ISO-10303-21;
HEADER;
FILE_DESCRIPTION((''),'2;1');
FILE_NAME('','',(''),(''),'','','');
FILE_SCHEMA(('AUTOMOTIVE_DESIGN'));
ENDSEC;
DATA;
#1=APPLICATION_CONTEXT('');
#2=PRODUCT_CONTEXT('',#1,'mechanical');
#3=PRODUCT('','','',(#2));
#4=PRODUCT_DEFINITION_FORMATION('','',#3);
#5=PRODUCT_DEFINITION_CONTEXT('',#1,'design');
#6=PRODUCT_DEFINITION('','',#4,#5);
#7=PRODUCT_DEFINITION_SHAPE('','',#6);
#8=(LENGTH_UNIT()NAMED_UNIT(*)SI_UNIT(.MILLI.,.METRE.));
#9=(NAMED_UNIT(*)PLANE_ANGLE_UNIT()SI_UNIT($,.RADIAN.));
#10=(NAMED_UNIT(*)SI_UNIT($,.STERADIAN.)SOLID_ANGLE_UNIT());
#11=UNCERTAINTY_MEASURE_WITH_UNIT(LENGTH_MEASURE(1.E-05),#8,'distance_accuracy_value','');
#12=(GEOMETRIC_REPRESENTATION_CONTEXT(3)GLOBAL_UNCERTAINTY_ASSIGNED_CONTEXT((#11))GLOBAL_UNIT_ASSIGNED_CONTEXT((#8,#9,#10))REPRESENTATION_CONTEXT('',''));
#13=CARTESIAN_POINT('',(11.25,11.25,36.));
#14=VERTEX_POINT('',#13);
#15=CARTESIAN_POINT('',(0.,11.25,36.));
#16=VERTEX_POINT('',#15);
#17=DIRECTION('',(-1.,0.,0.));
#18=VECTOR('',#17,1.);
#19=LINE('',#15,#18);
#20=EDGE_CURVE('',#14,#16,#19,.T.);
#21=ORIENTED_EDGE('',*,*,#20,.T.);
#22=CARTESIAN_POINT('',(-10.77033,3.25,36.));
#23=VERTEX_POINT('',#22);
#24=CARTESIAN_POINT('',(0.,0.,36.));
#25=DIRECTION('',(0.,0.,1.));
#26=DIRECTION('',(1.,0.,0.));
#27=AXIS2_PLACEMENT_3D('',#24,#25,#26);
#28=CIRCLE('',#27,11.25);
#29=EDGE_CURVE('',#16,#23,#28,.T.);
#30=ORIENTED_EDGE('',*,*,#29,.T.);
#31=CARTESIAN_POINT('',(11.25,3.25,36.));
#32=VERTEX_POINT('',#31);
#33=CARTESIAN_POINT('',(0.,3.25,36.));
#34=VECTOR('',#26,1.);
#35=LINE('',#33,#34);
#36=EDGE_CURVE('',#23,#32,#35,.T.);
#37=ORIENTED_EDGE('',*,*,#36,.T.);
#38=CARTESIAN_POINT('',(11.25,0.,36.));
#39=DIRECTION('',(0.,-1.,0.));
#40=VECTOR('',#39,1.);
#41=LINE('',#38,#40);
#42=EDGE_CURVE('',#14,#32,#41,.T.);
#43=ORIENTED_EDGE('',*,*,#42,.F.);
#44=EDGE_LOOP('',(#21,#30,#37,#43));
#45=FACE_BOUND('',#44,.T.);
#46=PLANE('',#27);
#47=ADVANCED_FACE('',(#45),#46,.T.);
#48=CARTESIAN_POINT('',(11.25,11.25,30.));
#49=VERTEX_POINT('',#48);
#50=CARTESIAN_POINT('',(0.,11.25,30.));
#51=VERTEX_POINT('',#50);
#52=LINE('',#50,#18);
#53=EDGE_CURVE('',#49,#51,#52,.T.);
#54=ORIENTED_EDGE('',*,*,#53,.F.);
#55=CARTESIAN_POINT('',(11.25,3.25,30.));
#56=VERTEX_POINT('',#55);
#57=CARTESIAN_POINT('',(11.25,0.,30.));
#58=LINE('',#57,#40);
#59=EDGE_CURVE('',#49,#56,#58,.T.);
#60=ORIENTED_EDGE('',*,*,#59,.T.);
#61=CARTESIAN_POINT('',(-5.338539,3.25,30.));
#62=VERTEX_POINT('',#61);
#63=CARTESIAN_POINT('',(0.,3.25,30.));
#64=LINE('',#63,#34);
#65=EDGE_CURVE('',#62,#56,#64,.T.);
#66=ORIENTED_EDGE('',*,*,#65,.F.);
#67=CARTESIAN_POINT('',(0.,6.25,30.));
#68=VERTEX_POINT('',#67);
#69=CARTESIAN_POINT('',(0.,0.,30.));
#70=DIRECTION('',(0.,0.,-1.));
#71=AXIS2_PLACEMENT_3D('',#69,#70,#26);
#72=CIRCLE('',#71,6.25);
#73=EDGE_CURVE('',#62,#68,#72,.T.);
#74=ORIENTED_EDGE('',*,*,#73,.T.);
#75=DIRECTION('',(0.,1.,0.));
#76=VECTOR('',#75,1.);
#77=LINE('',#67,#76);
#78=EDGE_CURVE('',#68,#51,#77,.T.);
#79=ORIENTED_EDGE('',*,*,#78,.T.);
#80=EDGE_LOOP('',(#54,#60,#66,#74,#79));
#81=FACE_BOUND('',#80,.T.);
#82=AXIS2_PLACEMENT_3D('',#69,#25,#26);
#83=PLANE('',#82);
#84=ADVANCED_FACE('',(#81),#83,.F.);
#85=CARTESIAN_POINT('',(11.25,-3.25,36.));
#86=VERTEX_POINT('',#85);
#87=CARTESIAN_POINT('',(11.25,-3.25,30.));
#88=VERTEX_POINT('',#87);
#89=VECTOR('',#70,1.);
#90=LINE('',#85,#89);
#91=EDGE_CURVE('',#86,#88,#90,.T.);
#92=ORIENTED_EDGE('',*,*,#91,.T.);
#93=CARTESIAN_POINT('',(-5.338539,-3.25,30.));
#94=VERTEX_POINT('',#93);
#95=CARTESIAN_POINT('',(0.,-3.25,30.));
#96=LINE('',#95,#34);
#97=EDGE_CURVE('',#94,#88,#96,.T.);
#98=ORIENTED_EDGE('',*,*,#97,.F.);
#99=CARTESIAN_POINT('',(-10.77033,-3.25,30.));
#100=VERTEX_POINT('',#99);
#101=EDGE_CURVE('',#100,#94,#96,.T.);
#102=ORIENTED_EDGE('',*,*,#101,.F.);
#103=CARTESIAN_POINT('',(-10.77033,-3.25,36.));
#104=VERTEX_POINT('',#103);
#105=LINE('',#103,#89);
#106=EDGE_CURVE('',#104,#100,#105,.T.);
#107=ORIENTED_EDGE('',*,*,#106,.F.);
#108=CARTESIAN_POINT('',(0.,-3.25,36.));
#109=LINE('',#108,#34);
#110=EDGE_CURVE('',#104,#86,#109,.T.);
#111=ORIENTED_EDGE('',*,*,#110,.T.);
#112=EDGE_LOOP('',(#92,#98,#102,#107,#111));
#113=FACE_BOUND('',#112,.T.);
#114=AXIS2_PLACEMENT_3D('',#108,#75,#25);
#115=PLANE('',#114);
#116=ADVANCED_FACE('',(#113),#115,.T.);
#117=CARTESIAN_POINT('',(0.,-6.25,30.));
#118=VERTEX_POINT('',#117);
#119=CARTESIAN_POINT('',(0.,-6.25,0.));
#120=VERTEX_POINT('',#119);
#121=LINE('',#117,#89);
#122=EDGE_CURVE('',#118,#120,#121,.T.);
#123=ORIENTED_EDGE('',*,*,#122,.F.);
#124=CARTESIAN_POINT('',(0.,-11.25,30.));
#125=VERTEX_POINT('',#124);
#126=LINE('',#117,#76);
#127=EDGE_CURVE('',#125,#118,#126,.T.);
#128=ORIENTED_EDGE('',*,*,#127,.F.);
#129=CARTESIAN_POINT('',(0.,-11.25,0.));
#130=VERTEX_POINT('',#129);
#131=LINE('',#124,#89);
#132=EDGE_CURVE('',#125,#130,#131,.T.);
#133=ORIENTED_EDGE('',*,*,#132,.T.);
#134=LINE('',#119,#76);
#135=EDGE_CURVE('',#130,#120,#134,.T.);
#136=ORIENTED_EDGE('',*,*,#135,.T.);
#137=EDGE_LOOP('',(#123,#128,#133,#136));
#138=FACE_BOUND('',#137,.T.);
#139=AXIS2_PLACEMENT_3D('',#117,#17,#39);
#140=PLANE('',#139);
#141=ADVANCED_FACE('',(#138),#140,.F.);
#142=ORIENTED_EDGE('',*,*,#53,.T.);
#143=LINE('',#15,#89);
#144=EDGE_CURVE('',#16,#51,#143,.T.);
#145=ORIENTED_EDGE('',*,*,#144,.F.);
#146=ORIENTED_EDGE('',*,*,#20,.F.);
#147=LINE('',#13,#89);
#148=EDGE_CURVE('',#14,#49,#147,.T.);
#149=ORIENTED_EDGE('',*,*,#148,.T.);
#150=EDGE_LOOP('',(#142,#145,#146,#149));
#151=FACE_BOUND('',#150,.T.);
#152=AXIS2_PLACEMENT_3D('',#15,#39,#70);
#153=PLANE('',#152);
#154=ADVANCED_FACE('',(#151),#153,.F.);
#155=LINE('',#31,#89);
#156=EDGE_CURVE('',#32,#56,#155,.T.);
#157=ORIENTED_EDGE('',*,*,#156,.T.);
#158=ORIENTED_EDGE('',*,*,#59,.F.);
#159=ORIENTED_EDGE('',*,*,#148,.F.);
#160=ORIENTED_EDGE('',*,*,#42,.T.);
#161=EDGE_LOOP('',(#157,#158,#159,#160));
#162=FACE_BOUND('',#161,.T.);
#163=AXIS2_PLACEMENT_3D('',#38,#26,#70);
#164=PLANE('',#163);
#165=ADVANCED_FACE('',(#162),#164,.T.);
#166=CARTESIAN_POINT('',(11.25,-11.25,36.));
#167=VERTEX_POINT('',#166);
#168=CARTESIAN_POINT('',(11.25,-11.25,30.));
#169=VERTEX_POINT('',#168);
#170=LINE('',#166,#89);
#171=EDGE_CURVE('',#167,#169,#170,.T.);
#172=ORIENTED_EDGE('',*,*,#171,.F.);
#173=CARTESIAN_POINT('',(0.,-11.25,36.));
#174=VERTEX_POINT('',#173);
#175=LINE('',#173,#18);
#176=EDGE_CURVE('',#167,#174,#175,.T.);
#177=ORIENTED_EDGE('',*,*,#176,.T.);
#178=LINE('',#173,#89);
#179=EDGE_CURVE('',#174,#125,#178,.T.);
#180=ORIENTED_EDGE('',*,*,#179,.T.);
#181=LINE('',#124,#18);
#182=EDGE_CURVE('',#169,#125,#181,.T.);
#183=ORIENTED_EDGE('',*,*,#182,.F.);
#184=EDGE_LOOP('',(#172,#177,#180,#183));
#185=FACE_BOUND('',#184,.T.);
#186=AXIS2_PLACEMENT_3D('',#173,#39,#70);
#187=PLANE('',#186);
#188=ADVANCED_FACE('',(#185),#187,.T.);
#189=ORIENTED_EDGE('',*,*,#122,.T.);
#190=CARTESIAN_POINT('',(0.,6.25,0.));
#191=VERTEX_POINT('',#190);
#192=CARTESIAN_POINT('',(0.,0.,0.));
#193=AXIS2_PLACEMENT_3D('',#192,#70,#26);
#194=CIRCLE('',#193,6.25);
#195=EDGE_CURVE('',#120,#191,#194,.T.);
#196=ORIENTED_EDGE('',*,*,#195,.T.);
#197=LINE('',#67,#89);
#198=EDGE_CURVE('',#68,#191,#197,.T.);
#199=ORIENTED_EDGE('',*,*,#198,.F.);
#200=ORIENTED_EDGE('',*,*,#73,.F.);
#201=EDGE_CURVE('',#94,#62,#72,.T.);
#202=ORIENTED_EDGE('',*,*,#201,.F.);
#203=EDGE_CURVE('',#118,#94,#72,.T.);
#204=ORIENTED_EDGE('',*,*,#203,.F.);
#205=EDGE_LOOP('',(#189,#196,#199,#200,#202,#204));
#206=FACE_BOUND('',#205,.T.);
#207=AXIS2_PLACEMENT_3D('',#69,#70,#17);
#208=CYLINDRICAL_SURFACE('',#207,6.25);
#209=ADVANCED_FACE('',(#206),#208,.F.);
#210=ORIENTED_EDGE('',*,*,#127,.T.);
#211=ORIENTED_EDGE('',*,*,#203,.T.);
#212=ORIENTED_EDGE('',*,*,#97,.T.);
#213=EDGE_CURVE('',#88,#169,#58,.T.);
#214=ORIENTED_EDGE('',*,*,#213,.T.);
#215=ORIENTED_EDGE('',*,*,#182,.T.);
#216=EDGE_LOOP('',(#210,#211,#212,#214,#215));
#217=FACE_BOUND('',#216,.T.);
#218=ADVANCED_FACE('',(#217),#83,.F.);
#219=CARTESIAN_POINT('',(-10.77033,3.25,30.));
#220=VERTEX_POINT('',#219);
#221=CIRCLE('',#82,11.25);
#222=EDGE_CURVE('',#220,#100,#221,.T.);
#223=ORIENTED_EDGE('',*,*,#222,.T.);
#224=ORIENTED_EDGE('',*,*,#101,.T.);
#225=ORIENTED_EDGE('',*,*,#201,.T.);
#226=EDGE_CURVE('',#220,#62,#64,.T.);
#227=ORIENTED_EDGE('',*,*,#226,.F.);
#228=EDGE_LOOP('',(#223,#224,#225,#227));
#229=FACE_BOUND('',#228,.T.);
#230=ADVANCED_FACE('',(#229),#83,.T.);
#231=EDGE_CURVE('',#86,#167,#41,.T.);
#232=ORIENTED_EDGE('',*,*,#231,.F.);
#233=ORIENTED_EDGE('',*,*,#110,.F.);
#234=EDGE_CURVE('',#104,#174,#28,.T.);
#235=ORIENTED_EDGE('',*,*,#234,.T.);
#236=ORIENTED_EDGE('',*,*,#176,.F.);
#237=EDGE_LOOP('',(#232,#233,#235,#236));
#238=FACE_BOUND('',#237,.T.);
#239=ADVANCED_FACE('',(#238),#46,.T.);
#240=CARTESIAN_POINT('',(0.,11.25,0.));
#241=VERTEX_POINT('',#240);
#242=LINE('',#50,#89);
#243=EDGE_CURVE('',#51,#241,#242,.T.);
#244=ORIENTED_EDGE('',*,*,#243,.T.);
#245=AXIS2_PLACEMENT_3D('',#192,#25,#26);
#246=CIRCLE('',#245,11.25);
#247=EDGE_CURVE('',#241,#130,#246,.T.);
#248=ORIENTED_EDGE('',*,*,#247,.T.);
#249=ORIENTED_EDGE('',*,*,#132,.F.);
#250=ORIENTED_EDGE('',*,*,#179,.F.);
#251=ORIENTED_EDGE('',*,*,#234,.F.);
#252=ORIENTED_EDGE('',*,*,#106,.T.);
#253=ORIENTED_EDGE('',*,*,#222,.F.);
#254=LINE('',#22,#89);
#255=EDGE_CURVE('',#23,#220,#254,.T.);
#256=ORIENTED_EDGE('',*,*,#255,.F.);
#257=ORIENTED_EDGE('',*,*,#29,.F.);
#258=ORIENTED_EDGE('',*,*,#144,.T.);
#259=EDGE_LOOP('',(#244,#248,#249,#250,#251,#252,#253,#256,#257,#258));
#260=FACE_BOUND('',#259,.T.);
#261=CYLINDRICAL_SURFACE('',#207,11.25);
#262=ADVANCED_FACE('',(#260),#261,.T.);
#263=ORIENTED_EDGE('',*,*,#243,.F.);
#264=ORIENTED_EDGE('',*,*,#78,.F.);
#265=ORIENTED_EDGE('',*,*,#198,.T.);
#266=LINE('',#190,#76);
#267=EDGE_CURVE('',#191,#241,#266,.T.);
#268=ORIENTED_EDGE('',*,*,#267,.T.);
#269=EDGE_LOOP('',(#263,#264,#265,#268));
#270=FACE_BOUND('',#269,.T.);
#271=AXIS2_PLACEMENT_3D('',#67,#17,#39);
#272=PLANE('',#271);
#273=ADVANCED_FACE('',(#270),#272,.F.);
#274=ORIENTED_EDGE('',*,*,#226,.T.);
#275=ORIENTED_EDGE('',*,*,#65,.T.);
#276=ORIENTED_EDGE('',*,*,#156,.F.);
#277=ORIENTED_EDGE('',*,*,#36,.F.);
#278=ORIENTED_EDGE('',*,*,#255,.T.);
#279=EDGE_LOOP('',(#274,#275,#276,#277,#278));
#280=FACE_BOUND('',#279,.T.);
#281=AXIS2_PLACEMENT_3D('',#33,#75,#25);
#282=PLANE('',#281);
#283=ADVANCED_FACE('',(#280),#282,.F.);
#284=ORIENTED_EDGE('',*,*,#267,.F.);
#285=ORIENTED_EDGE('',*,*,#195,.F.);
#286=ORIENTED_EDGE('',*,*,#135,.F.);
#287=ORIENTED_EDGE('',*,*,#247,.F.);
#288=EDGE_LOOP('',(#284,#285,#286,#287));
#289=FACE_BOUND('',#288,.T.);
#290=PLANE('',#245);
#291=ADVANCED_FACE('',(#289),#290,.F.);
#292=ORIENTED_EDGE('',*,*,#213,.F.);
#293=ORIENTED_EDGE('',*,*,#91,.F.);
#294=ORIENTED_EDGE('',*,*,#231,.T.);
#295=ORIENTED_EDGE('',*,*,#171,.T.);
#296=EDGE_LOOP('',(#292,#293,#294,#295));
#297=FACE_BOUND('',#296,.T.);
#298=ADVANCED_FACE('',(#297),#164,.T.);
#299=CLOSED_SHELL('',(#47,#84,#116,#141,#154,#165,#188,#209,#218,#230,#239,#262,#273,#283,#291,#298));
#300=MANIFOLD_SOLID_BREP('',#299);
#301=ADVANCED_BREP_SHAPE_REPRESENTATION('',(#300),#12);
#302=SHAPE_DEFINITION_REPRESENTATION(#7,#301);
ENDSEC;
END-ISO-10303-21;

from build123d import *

# Parameters (mm, degrees)
EXTRUDE_1_DEPTH = 30
EXTRUDE_2_DEPTH = 6


with BuildPart() as part:
    # 草图1 → 凸台-拉伸1 (new body)
    with BuildSketch(Plane.XY):
        with BuildLine():
            Line((0, 6.25), (0, 11.25))
            ThreePointArc((0, 11.25), (-11.25, 0), (0, -11.25))
            Line((0, -11.25), (0, -6.25))
            ThreePointArc((0, -6.25), (-6.25, 0), (0, 6.25))
        make_face()
    extrude(amount=EXTRUDE_1_DEPTH)

    # 草图2 → 凸台-拉伸2 (add)
    with BuildSketch(Plane.XY.offset(30)):
        with BuildLine():
            Line((0, 6.25), (0, 11.25))
            ThreePointArc((0, 11.25), (-6.708203932, 9.031195934), (-10.770329614, 3.25))
            Line((-10.770329614, 3.25), (-5.338539126, 3.25))
            ThreePointArc((-5.338539126, 3.25), (-3.061862178, 5.448623679), (0, 6.25))
        make_face()
        with BuildLine():
            Line((11.25, 3.25), (11.25, 11.25))
            Line((11.25, 11.25), (0, 11.25))
            Line((0, 11.25), (0, 6.25))
            ThreePointArc((0, 6.25), (-3.061862178, 5.448623679), (-5.338539126, 3.25))
            Line((-5.338539126, 3.25), (11.25, 3.25))
        make_face()
        with BuildLine():
            ThreePointArc((0, -6.25), (-3.061862178, -5.448623679), (-5.338539126, -3.25))
            Line((-5.338539126, -3.25), (-10.770329614, -3.25))
            ThreePointArc((-10.770329614, -3.25), (-6.708203932, -9.031195934), (0, -11.25))
            Line((0, -11.25), (0, -6.25))
        make_face()
        with BuildLine():
            Line((11.25, -11.25), (11.25, -3.25))
            Line((11.25, -3.25), (-5.338539126, -3.25))
            ThreePointArc((-5.338539126, -3.25), (-3.061862178, -5.448623679), (0, -6.25))
            Line((0, -6.25), (0, -11.25))
            Line((0, -11.25), (11.25, -11.25))
        make_face()
    extrude(amount=EXTRUDE_2_DEPTH)


solid = part.part
